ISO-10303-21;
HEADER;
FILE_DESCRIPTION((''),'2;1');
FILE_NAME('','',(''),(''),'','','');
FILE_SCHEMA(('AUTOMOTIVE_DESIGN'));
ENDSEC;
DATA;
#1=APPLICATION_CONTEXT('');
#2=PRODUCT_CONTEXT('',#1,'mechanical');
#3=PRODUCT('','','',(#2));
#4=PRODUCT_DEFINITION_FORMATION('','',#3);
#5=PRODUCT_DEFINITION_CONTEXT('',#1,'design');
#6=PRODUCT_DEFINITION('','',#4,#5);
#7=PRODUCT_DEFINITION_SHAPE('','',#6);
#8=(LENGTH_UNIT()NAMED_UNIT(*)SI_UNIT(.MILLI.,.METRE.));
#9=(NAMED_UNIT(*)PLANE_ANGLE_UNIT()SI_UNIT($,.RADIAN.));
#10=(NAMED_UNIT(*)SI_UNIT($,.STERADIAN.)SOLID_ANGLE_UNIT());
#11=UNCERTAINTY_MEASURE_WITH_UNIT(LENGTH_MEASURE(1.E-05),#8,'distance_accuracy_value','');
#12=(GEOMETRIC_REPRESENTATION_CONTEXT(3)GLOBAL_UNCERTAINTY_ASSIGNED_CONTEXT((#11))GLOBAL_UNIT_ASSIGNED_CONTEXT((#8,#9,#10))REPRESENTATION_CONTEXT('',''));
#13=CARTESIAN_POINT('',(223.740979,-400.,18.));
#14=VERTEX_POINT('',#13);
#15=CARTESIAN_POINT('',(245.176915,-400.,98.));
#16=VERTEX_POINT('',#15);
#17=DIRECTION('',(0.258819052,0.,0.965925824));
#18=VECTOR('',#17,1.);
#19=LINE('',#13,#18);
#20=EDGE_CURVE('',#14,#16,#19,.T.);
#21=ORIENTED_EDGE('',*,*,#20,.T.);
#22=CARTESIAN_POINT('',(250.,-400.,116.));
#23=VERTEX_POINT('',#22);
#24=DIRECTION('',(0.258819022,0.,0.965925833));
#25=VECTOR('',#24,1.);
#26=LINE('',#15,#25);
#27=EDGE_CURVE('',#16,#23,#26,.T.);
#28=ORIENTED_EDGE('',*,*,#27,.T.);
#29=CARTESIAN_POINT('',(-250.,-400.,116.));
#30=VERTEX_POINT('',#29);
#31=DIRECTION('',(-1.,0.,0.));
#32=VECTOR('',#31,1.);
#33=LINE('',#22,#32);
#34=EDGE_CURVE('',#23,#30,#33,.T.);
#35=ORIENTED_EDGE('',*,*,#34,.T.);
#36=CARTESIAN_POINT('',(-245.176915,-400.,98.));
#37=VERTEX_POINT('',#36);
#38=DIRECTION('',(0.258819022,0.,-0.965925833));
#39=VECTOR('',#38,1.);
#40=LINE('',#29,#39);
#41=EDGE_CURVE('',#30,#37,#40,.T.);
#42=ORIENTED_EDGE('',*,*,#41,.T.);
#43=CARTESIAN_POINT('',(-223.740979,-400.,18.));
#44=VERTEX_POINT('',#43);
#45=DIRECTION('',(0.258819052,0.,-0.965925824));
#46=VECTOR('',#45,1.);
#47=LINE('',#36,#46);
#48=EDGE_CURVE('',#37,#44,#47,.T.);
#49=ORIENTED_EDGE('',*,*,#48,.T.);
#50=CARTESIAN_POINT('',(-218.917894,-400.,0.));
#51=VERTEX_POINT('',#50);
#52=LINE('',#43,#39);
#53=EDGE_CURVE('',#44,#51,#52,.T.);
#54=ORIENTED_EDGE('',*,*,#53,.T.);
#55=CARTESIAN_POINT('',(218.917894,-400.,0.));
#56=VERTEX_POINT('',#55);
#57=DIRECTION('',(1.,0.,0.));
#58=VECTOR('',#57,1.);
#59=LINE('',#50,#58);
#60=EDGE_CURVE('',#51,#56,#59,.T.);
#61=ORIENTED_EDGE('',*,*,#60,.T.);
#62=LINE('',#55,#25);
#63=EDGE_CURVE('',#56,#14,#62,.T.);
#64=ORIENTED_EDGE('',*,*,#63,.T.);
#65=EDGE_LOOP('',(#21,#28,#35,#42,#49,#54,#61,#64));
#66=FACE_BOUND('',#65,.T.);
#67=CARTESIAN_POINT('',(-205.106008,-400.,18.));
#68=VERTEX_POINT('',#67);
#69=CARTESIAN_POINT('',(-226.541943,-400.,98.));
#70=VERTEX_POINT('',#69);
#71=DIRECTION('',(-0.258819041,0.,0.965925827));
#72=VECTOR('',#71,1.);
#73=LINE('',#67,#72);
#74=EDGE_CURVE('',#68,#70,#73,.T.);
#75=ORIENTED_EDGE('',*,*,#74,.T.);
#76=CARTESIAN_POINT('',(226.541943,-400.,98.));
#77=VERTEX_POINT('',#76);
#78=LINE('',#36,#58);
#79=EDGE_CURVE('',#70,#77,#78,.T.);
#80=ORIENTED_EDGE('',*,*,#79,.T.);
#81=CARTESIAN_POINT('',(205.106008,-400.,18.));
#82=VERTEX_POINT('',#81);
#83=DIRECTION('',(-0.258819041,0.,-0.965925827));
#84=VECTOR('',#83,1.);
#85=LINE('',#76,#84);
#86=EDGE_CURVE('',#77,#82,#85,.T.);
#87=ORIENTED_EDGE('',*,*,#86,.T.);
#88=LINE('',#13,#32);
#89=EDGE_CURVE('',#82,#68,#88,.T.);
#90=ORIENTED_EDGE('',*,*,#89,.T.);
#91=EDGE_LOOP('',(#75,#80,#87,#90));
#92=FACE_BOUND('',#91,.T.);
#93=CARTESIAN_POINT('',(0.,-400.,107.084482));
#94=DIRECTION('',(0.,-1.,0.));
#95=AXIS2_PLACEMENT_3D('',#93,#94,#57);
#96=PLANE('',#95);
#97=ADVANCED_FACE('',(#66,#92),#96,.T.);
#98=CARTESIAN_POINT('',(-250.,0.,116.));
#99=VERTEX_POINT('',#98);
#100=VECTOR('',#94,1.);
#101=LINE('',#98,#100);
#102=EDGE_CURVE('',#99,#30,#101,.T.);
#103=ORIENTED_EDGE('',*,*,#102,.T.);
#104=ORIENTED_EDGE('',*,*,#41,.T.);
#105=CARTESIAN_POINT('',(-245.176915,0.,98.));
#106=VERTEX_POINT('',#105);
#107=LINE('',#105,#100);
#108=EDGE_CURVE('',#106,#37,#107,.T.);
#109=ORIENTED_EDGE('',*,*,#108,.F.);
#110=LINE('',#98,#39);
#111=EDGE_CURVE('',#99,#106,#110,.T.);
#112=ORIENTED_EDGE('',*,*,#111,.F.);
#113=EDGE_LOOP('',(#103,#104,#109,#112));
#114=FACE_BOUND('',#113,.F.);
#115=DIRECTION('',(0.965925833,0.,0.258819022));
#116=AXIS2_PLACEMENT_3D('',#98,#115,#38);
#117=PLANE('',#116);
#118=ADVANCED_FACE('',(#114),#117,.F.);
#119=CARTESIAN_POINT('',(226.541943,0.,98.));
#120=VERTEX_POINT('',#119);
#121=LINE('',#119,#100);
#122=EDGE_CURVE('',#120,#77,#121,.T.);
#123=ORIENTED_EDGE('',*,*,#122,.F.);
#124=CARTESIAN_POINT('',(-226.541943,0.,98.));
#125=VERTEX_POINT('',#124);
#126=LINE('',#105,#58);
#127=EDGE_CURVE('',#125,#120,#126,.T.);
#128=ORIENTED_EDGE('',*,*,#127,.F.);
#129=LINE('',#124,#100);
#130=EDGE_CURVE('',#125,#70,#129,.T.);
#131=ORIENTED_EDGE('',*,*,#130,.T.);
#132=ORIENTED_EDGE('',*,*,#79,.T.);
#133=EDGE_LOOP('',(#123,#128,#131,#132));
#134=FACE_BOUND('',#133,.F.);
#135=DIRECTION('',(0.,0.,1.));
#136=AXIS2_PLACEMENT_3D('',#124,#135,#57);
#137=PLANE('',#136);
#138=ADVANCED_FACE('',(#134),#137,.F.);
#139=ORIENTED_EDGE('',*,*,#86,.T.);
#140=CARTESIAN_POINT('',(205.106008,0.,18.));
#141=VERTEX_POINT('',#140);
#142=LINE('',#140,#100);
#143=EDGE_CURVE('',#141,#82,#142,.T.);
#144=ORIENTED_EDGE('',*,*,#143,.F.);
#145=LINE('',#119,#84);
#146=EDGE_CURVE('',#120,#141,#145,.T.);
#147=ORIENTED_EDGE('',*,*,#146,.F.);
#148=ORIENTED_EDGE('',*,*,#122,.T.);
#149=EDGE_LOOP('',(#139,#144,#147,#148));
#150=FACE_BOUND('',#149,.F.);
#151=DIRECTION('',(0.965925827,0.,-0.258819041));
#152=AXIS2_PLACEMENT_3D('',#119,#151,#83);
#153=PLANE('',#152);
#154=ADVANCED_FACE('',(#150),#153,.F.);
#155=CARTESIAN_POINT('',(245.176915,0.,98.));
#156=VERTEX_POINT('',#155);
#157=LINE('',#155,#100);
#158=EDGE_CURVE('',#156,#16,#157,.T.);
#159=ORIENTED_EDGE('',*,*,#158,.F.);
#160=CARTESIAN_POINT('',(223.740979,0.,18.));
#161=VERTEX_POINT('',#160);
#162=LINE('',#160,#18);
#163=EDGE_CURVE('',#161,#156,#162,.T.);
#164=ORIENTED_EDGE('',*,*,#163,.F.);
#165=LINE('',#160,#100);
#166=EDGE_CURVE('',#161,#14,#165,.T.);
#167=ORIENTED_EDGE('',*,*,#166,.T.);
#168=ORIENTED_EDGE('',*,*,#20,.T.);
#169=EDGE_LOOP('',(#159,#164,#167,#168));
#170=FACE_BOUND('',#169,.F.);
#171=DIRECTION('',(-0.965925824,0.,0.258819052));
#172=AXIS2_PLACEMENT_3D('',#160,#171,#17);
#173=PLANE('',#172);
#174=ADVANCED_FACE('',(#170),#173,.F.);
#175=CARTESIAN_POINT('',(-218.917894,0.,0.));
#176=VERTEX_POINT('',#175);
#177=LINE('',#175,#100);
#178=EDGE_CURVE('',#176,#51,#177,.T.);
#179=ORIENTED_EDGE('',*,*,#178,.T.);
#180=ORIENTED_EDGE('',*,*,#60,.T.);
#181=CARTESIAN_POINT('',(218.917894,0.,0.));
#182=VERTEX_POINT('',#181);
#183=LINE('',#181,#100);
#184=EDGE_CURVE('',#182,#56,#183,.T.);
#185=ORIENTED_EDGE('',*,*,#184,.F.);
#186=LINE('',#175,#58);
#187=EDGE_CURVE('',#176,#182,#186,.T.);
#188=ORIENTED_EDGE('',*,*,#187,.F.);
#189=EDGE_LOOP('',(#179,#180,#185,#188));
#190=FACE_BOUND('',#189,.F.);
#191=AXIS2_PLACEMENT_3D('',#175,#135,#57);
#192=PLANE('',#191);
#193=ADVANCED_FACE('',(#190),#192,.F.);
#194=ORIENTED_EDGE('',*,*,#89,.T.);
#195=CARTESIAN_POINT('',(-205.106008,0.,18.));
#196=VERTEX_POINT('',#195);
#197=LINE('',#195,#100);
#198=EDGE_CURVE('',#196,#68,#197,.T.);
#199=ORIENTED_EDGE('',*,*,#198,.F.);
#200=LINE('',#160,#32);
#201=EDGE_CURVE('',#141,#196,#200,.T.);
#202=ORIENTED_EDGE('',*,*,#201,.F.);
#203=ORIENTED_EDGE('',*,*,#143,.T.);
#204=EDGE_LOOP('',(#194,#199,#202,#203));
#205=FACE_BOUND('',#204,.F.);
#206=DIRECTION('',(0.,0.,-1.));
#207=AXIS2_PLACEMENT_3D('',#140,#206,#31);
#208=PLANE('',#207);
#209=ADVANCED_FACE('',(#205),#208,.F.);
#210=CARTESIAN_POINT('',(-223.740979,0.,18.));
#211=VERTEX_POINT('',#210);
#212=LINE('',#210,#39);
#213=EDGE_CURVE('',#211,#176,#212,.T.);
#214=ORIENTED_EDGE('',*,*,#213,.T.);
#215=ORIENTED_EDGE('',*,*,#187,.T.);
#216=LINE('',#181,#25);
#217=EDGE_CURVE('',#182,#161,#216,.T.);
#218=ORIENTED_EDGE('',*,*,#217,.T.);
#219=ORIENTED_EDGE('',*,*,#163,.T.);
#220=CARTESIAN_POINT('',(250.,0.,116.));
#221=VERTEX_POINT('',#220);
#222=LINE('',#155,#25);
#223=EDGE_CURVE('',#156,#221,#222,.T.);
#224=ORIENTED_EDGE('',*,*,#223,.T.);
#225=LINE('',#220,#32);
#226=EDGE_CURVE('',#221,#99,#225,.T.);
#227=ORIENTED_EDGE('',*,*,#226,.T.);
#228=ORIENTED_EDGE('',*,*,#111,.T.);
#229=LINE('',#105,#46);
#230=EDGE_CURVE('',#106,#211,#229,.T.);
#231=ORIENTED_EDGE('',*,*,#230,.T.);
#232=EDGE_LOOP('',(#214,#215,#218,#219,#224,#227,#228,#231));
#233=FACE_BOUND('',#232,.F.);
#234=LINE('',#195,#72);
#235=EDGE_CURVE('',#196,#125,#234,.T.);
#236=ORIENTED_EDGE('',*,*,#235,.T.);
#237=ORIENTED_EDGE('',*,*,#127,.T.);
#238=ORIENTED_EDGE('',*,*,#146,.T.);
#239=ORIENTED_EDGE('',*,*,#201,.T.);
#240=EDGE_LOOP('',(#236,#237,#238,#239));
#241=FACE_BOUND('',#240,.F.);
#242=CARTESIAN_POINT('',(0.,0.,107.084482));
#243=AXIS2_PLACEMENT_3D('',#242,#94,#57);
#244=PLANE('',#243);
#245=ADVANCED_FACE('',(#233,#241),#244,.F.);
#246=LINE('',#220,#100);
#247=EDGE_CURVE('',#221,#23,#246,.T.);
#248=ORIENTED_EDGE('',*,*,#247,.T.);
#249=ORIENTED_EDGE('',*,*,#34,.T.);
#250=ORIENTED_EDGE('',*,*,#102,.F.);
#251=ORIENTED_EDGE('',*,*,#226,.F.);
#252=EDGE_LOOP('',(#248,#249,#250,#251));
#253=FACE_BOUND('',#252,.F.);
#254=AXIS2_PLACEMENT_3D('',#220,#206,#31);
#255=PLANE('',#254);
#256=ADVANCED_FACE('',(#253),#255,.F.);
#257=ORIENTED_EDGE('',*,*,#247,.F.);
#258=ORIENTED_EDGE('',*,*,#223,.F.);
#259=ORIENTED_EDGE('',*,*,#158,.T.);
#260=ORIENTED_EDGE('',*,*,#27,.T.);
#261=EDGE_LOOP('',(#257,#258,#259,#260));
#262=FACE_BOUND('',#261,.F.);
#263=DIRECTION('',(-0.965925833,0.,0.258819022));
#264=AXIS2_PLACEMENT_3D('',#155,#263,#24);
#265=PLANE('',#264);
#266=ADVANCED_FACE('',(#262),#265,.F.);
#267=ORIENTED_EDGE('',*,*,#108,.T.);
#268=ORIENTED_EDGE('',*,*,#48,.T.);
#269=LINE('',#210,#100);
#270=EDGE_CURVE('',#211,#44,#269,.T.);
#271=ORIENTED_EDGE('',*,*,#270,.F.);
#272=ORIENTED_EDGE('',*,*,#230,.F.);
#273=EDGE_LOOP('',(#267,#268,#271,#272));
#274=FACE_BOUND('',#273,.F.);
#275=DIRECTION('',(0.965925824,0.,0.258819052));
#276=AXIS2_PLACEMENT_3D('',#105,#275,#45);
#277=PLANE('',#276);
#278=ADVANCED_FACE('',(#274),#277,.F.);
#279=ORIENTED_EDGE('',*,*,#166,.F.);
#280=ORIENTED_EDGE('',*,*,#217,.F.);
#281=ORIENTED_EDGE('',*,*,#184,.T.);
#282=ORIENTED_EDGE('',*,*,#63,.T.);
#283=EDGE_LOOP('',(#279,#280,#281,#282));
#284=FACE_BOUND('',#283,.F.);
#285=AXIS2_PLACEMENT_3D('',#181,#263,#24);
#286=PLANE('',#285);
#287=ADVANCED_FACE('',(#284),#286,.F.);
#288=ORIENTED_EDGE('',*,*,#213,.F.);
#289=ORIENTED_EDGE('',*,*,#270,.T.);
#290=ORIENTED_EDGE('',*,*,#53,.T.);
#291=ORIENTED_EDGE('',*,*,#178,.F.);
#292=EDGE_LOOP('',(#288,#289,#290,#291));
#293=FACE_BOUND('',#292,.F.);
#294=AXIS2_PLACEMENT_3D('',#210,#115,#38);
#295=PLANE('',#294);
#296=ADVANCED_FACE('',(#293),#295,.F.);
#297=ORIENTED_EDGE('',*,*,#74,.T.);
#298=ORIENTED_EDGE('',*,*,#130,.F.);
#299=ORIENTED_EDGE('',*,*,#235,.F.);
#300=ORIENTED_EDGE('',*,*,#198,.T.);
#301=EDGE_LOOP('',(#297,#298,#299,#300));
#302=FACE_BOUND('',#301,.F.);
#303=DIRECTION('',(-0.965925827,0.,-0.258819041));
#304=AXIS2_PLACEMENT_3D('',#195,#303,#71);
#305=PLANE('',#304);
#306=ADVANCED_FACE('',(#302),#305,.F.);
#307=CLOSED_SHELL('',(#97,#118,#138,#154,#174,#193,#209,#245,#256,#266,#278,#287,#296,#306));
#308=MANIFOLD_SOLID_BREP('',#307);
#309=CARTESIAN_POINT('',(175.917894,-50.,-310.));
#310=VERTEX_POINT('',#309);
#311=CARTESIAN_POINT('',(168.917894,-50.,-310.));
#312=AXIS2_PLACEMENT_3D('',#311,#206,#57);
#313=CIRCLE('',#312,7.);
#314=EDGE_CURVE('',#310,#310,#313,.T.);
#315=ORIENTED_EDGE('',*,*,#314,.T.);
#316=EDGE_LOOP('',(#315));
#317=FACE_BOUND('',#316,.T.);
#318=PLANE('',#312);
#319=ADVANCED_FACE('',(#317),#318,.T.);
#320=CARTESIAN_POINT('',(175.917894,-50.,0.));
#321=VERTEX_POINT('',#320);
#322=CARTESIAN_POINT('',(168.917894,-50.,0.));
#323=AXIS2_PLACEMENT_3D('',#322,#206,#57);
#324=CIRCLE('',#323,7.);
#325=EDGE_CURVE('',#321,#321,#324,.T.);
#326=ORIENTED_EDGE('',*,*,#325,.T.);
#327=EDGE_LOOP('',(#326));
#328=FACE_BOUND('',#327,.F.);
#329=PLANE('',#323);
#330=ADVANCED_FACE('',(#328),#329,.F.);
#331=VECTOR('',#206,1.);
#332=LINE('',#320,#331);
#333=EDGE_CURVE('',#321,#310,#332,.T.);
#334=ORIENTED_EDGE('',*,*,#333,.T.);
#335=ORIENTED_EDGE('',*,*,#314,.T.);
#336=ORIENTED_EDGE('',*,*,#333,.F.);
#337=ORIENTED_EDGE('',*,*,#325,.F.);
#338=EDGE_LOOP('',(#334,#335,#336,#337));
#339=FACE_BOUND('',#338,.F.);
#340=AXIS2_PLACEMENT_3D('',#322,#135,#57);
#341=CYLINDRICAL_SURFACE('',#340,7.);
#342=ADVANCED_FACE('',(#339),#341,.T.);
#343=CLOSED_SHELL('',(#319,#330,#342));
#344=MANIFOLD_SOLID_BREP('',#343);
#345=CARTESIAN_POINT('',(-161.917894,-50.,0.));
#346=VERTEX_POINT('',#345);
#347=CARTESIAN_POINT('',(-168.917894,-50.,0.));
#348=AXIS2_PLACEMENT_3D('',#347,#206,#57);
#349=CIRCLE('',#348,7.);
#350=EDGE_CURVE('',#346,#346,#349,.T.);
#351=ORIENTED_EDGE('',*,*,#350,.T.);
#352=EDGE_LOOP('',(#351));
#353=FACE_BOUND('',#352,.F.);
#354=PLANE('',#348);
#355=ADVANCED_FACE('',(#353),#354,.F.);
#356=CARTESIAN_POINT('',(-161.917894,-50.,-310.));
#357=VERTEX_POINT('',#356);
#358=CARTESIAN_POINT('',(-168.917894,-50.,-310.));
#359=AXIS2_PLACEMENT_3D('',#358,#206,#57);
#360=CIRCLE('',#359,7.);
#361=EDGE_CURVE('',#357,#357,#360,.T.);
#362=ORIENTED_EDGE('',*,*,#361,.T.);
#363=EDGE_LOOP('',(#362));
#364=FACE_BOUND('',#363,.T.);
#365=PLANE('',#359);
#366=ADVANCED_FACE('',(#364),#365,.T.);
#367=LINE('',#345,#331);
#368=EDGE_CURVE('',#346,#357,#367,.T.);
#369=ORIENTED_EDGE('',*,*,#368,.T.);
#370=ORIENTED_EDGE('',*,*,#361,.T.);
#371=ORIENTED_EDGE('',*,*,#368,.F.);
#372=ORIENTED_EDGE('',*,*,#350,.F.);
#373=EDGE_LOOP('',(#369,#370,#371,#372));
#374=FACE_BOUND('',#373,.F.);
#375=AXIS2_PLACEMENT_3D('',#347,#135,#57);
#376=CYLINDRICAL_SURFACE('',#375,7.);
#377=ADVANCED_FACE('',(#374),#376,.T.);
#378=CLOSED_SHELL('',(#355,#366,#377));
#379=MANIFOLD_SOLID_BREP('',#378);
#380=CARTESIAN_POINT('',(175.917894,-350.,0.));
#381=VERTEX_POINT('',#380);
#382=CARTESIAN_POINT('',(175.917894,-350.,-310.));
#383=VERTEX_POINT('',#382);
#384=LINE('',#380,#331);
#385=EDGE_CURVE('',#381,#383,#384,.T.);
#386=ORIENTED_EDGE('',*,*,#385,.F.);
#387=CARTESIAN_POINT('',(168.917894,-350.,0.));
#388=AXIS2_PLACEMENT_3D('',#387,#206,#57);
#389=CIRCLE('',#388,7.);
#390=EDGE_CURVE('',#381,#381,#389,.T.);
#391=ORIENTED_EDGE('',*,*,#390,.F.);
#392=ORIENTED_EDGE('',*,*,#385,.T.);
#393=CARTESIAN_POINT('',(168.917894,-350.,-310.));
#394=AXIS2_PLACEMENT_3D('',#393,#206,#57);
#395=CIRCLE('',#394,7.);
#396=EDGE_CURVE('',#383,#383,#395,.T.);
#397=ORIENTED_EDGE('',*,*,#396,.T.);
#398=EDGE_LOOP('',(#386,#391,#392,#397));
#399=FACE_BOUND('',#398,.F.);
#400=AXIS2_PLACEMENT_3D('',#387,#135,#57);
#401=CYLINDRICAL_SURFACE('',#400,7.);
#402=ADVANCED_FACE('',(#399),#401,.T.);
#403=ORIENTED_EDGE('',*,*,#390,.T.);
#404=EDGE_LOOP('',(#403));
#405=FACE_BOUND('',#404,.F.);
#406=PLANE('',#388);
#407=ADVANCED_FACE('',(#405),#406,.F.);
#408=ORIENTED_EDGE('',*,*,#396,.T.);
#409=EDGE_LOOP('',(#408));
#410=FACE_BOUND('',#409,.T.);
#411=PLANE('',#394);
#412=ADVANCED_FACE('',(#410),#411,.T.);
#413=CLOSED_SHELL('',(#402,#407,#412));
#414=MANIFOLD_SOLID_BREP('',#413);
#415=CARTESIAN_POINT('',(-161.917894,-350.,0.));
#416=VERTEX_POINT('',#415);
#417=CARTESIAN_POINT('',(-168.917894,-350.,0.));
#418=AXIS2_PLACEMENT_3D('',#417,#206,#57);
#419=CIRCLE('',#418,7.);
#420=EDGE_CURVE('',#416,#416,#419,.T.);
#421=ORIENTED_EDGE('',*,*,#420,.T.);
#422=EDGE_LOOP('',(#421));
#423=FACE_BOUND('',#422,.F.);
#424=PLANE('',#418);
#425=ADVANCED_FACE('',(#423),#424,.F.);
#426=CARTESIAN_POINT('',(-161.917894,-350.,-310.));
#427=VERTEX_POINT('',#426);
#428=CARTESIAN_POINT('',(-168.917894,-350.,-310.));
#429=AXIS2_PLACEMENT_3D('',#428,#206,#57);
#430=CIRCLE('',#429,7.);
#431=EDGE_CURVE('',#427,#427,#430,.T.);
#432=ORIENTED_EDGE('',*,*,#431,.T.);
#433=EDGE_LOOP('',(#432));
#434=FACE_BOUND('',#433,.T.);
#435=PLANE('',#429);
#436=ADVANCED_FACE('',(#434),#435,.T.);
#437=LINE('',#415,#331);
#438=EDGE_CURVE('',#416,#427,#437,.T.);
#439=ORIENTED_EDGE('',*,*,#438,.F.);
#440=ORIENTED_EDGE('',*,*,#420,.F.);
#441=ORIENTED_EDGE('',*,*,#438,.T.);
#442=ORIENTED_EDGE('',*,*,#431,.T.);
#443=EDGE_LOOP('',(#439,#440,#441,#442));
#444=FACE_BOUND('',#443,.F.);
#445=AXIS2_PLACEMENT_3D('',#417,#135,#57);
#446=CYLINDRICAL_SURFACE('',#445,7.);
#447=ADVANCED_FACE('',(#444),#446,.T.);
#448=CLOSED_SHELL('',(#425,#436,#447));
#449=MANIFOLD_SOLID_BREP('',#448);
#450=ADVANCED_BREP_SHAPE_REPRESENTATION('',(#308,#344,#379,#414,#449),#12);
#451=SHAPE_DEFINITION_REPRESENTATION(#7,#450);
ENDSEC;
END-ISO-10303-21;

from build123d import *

# Parameters (mm, degrees)
F1_DEPTH = 400
F2_R     = 7
F3_DEPTH = 310


with BuildPart() as f1:
    # F0 (on Front) → F1 (new body)
    with BuildSketch(Plane.XZ):
        Polygon((-250, 116), (-245.176915, 98), (-226.541943, 98), (226.541943, 98), (245.176915, 98), (250, 116), align=None)
        Polygon((-245.176915, 98), (-223.740979, 18), (-205.106008, 18), (-226.541943, 98), align=None)
        Polygon((-223.740979, 18), (-218.917894, 0), (218.917894, 0), (223.740979, 18), (205.106008, 18), (-205.106008, 18), align=None)
        Polygon((205.106008, 18), (223.740979, 18), (245.176915, 98), (226.541943, 98), align=None)
    extrude(amount=F1_DEPTH)


with BuildPart() as f3:
    # F2 (on face) → F3 (new body)
    with BuildSketch(Plane(origin=(0, 0, 0), x_dir=(1, 0, 0), z_dir=(0, 0, -1))):
        with Locations((-168.917894, 50)):
            Circle(F2_R)
        with Locations((-168.917894, 350)):
            Circle(F2_R)
        with Locations((168.917894, 50)):
            Circle(F2_R)
        with Locations((168.917894, 350)):
            Circle(F2_R)
    extrude(amount=F3_DEPTH)


solid = Compound([f1.part, f3.part])
